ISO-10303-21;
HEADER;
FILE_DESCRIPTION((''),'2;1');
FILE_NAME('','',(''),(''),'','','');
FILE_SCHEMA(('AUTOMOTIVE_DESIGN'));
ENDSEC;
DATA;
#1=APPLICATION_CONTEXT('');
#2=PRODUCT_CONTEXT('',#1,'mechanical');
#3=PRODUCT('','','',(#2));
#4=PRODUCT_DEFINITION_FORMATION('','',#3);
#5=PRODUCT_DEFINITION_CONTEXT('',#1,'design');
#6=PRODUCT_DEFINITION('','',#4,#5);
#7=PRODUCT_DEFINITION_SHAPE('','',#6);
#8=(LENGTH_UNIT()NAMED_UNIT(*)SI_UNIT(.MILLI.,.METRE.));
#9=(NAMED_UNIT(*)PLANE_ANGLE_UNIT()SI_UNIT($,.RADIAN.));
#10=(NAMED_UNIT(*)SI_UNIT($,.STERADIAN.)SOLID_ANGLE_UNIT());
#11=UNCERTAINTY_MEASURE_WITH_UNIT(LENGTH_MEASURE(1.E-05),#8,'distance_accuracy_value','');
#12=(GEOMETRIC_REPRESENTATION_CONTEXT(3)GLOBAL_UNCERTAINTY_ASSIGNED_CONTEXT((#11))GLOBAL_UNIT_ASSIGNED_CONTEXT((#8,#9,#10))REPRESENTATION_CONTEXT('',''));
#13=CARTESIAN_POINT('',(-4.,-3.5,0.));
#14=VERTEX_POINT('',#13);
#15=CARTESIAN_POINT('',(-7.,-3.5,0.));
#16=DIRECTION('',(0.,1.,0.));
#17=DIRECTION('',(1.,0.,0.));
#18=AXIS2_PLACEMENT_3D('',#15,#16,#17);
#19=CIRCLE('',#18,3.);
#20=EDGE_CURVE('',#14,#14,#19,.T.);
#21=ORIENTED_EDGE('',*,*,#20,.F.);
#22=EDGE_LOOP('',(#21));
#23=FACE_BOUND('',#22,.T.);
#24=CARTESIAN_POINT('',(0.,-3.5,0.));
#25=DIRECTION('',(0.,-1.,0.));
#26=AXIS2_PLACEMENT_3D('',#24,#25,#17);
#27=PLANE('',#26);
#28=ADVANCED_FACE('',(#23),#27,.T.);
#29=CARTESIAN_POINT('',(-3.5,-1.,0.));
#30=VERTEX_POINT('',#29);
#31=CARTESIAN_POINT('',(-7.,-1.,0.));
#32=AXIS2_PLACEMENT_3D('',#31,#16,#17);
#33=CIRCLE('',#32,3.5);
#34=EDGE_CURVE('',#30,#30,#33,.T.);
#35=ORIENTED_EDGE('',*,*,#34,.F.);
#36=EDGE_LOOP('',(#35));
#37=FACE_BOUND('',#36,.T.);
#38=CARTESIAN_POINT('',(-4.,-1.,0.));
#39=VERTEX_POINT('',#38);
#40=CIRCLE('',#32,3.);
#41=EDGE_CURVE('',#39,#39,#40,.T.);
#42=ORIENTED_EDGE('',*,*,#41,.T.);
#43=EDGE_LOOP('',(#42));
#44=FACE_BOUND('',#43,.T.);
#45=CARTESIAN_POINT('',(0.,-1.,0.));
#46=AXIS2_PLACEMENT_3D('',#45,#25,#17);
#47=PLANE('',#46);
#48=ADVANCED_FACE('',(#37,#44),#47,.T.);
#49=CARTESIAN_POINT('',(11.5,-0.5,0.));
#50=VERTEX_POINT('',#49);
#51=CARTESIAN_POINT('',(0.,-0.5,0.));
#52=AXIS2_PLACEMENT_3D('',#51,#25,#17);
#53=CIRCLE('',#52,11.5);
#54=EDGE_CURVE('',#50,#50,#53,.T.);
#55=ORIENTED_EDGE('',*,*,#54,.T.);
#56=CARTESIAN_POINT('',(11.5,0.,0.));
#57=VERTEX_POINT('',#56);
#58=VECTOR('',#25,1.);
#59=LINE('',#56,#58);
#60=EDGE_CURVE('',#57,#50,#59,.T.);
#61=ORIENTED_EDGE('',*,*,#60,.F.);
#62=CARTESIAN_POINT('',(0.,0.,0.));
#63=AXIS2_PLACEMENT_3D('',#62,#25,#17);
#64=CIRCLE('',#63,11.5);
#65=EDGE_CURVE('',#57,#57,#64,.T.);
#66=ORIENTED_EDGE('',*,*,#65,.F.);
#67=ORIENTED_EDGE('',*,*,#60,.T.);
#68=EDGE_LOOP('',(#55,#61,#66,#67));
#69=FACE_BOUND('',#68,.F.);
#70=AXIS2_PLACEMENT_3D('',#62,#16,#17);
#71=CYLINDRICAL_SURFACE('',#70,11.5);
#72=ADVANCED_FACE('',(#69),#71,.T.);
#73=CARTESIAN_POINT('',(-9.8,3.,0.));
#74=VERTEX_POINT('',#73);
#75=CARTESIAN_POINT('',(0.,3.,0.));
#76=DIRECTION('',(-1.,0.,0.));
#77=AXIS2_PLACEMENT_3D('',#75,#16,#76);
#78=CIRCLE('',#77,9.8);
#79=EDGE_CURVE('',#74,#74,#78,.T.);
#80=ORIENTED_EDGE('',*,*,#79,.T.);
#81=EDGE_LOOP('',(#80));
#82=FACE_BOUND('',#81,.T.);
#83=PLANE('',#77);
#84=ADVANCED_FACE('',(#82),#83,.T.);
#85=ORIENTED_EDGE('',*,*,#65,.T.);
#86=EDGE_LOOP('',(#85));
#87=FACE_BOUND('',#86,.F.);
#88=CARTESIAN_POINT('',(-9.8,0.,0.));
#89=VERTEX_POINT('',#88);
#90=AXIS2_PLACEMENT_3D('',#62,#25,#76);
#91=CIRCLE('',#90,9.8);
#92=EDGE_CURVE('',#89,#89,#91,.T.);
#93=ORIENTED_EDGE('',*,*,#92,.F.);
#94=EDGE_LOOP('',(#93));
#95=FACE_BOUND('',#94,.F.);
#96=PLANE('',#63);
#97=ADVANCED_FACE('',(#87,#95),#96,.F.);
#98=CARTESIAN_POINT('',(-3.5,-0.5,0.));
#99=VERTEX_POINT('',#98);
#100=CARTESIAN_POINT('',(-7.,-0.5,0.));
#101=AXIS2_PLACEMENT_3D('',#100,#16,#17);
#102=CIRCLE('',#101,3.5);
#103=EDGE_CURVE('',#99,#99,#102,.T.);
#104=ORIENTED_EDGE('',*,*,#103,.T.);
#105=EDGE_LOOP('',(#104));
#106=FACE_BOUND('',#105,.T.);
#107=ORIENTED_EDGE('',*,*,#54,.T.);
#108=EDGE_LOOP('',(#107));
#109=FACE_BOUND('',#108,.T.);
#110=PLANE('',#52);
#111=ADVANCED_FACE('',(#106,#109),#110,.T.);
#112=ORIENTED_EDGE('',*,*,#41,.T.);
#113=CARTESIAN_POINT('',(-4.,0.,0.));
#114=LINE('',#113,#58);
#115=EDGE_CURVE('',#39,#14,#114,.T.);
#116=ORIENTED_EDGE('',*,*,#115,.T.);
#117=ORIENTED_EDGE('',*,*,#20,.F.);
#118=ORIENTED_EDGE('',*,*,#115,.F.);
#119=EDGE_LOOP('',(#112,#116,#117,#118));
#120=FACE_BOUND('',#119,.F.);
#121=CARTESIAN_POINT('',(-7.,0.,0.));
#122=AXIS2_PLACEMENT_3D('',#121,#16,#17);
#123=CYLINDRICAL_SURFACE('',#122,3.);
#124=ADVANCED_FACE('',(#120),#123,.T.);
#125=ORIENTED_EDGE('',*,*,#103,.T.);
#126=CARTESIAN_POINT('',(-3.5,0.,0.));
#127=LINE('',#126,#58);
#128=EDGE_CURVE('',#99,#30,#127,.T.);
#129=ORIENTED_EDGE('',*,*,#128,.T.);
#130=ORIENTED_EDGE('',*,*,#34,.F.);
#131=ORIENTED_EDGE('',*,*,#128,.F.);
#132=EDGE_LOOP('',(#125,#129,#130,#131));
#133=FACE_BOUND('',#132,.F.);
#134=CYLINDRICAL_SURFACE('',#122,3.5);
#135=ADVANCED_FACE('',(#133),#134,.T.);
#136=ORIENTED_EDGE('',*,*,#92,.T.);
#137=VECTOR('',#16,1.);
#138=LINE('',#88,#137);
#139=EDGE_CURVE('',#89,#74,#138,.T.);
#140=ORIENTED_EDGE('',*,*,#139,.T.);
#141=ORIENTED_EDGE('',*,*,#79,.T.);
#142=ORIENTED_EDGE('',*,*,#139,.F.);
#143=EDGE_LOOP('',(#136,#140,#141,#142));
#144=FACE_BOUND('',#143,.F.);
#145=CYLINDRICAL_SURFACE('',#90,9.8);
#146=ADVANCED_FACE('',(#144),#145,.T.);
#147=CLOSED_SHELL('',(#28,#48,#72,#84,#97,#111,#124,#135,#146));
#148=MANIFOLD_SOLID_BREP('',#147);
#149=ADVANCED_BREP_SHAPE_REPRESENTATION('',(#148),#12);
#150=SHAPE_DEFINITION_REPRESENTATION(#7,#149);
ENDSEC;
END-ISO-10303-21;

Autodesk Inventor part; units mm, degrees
ref_plane "YZ Plane" through (0, 0, 0) normal (1, 0, 0) x (0, 1, 0)
ref_plane "XZ Plane" through (0, 0, 0) normal (0, 1, 0) x (-1, 0, 0)
ref_plane "XY Plane" through (0, 0, 0) normal (0, 0, 1) x (1, 0, 0)
sketch "スケッチ1" plane through (0, 0, 0) normal (0, 1, 0) x (-1, 0, 0)
  circle A0 centre (0, 0) radius 9.8
  dimension "d0" = 19.6
extrude "押し出し1" add sketch "スケッチ1" along normal blind 3
sketch "スケッチ2" plane through (0, 0, 0) normal (0, -1, 0) x (1, 0, 0)
  circle A0 centre (-7, 0) radius 3
  circle A1 centre (-7, 0) radius 3.5
  circle A2 centre (0, 0) radius 10
  dimension "d3" = 6
  dimension "d6" = 7
  dimension "d12" = 20
extrude "押し出し2" add sketch "スケッチ2" along normal blind 3.5 contours A0
extrude "押し出し3" add sketch "スケッチ2" along normal blind 1 contours A2 A1 | A2 A1 picked at (-3.7315, -0.526) picked at (-10.3053, -0.2541)
sketch "スケッチ3" plane through (0, 0, 0) normal (0, -1, 0) x (1, 0, 0)
  circle A0 centre (0, 0) radius 11.5
  dimension "d9" = 23
extrude "押し出し4" add sketch "スケッチ3" along normal blind 0.5
properties part number "wrist_hone_upper_cover"
